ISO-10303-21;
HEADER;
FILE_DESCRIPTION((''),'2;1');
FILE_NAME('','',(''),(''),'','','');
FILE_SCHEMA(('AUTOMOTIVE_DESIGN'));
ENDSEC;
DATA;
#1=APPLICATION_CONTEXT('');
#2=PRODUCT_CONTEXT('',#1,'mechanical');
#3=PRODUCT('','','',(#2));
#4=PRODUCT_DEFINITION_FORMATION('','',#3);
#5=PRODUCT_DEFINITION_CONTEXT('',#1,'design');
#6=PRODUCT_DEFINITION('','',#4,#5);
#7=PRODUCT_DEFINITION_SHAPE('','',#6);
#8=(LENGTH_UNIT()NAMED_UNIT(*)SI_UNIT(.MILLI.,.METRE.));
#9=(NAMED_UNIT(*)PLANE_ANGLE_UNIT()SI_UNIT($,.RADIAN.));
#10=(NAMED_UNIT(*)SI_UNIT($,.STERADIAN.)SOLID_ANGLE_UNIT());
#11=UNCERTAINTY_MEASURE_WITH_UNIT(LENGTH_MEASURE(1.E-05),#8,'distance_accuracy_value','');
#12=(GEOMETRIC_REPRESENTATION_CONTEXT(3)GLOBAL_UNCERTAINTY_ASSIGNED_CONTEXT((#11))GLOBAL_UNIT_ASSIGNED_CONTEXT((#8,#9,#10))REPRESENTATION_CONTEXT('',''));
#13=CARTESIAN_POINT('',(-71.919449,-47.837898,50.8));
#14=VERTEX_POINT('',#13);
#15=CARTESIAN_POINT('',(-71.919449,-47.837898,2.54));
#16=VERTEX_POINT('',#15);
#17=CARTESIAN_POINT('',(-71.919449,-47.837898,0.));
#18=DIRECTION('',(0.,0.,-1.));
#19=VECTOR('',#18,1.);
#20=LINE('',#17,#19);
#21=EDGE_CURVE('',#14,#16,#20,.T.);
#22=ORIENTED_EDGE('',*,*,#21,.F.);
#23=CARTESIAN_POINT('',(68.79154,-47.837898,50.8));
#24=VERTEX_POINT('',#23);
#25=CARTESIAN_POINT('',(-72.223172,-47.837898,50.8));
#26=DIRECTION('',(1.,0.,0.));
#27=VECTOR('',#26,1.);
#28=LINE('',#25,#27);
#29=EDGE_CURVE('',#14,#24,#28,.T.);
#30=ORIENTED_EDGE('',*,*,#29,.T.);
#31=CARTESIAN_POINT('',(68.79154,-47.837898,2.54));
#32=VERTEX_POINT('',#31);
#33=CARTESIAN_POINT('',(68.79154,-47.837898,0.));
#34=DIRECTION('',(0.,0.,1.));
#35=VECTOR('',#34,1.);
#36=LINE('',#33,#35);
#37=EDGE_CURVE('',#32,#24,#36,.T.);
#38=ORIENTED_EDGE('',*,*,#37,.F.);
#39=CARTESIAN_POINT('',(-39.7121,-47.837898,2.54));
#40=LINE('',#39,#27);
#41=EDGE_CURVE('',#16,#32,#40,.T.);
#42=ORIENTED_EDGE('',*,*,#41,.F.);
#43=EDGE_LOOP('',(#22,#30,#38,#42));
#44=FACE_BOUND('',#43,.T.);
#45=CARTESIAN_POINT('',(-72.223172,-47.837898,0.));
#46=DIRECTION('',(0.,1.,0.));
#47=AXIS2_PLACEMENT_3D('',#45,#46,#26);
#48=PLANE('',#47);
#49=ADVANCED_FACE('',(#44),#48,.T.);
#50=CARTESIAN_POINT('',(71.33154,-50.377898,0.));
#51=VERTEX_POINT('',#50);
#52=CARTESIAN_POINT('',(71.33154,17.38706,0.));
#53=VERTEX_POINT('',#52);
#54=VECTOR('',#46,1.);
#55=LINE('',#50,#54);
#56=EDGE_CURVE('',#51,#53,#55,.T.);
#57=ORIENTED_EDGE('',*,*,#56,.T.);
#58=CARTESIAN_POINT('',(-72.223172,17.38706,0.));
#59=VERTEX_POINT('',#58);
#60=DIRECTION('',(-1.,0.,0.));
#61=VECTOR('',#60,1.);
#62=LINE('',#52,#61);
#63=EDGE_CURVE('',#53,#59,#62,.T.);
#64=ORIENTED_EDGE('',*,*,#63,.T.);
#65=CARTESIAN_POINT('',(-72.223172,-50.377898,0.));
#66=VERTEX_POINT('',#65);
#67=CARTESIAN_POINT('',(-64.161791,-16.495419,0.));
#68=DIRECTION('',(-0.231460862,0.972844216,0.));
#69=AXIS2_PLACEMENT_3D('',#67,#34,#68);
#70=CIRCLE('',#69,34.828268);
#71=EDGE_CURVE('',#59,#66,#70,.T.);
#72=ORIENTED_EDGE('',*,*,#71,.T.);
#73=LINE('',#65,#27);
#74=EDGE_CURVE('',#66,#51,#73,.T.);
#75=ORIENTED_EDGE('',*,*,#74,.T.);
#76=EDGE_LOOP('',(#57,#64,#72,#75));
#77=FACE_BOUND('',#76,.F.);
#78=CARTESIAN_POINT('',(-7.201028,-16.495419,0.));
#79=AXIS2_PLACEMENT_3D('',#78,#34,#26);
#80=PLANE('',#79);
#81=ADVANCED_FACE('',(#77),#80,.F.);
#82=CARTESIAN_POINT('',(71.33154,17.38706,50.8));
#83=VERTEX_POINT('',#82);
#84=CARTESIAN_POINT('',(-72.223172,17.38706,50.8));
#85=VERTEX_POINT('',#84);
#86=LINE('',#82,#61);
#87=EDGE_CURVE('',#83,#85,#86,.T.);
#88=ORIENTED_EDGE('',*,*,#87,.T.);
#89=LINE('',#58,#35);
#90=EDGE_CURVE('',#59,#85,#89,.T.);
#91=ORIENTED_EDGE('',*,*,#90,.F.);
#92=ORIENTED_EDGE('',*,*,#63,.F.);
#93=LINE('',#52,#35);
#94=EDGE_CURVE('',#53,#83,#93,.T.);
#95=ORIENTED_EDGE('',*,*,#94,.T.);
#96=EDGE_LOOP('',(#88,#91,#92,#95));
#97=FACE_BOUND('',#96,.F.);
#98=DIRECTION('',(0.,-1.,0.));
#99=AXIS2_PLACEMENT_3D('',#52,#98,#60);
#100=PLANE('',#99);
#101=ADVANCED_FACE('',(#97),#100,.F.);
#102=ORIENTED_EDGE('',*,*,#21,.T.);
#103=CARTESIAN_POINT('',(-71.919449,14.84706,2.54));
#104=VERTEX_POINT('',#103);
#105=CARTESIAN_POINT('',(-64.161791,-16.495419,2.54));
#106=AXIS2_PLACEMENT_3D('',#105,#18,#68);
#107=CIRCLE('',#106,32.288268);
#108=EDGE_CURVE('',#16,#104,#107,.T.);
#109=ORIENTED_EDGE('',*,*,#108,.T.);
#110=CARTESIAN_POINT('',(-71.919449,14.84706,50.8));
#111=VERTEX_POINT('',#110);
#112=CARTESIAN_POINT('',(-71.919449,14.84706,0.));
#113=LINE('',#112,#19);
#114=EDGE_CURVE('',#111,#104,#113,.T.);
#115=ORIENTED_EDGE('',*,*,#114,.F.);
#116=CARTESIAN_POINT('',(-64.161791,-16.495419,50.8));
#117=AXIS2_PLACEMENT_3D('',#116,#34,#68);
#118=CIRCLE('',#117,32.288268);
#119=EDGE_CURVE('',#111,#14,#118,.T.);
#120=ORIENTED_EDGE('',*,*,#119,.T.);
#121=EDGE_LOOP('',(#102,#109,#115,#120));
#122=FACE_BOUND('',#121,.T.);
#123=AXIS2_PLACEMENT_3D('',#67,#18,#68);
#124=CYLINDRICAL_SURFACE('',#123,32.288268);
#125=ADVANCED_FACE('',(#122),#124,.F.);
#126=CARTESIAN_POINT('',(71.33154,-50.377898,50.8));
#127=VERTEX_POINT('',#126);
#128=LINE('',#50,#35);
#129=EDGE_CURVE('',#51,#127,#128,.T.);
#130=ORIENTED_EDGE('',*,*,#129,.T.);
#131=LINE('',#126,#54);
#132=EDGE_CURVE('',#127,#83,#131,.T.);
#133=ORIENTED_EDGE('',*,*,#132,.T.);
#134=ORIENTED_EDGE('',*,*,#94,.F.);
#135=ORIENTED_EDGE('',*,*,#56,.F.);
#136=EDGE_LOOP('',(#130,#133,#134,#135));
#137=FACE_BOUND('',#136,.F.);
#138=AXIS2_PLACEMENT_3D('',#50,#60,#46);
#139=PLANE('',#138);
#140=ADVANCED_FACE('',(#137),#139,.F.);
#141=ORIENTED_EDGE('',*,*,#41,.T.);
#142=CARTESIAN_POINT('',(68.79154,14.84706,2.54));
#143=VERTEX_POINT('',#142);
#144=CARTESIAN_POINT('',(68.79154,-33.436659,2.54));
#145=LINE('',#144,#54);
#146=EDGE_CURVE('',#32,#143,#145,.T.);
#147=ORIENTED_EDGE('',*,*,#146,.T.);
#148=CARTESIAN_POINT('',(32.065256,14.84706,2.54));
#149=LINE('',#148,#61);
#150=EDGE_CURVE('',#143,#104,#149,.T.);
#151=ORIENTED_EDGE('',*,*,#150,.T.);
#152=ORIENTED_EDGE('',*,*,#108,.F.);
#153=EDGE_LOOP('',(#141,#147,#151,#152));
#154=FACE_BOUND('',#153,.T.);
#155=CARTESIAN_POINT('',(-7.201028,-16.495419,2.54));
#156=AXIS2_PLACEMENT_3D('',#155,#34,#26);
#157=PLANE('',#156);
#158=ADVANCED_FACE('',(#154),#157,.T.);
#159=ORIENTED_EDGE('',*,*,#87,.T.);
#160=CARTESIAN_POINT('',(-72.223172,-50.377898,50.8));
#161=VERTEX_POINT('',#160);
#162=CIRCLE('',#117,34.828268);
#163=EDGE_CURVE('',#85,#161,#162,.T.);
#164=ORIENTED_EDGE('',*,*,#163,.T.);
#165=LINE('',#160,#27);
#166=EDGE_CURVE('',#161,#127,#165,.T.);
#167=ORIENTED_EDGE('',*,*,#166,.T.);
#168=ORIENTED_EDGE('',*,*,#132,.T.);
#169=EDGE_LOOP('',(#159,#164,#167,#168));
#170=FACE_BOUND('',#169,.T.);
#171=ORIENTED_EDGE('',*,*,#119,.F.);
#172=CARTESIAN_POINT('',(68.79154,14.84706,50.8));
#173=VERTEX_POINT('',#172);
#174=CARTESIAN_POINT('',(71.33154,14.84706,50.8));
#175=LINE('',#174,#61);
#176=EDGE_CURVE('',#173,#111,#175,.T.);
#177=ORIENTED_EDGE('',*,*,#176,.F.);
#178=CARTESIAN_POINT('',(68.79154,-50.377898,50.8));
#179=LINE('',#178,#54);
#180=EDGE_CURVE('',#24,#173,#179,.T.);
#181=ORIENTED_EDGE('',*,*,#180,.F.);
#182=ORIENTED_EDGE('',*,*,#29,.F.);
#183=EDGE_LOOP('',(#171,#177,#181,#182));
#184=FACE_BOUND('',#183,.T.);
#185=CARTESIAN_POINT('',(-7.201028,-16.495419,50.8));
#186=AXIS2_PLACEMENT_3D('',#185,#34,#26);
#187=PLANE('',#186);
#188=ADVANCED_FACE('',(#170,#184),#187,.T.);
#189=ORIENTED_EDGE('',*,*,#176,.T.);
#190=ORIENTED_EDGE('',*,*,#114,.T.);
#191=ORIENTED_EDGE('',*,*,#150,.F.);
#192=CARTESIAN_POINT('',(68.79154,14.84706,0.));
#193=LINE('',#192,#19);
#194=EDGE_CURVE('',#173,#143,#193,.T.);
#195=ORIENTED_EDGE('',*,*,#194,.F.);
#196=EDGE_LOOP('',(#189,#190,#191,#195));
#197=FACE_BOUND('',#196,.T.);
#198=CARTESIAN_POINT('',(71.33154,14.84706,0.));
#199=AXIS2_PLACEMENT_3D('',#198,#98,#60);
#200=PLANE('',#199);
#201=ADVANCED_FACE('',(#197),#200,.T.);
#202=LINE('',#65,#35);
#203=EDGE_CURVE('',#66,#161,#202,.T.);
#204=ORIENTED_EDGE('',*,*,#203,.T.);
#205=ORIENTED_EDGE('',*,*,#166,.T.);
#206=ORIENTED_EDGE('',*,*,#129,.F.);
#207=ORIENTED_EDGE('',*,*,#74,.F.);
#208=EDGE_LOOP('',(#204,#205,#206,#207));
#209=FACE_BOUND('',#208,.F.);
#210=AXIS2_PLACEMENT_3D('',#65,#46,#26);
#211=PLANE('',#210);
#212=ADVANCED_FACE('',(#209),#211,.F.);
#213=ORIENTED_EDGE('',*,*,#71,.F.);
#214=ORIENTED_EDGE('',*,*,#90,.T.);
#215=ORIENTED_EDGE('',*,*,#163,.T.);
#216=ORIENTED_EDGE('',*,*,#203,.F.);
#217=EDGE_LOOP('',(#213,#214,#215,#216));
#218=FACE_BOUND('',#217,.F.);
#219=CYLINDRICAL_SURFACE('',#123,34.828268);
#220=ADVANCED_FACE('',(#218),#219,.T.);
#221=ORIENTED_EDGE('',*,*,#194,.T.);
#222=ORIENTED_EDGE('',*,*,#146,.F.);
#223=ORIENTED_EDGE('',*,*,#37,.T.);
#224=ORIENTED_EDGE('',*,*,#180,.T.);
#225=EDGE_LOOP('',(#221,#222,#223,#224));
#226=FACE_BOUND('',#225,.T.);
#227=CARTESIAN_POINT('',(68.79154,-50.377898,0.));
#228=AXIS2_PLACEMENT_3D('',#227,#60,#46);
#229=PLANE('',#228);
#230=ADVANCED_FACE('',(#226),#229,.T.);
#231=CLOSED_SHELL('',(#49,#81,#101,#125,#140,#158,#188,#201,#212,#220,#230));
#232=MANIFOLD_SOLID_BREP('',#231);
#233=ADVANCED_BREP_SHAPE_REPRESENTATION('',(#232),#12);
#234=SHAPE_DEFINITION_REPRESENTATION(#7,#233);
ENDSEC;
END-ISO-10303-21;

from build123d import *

# Parameters (mm, degrees)
F1_DEPTH = 50.8
F2_T     = -2.54


with BuildPart() as f1:
    # F0 (on Top) → F1 (new body)
    with BuildSketch(Plane.XY):
        with BuildLine():
            Line((71.33154, 17.38706), (-72.223172, 17.38706))
            ThreePointArc((-72.223172, 17.38706), (-98.990059, -16.495419), (-72.223172, -50.377898))
            Line((-72.223172, -50.377898), (71.33154, -50.377898))
            Line((71.33154, -50.377898), (71.33154, 17.38706))
        make_face()
    extrude(amount=F1_DEPTH)

    # F2
    f2_openings = [f1.faces().sort_by_distance(p)[0] for p in [
        (-10.546065, -16.495419, 50.8),
    ]]
    offset(amount=F2_T, openings=f2_openings)


solid = f1.part
